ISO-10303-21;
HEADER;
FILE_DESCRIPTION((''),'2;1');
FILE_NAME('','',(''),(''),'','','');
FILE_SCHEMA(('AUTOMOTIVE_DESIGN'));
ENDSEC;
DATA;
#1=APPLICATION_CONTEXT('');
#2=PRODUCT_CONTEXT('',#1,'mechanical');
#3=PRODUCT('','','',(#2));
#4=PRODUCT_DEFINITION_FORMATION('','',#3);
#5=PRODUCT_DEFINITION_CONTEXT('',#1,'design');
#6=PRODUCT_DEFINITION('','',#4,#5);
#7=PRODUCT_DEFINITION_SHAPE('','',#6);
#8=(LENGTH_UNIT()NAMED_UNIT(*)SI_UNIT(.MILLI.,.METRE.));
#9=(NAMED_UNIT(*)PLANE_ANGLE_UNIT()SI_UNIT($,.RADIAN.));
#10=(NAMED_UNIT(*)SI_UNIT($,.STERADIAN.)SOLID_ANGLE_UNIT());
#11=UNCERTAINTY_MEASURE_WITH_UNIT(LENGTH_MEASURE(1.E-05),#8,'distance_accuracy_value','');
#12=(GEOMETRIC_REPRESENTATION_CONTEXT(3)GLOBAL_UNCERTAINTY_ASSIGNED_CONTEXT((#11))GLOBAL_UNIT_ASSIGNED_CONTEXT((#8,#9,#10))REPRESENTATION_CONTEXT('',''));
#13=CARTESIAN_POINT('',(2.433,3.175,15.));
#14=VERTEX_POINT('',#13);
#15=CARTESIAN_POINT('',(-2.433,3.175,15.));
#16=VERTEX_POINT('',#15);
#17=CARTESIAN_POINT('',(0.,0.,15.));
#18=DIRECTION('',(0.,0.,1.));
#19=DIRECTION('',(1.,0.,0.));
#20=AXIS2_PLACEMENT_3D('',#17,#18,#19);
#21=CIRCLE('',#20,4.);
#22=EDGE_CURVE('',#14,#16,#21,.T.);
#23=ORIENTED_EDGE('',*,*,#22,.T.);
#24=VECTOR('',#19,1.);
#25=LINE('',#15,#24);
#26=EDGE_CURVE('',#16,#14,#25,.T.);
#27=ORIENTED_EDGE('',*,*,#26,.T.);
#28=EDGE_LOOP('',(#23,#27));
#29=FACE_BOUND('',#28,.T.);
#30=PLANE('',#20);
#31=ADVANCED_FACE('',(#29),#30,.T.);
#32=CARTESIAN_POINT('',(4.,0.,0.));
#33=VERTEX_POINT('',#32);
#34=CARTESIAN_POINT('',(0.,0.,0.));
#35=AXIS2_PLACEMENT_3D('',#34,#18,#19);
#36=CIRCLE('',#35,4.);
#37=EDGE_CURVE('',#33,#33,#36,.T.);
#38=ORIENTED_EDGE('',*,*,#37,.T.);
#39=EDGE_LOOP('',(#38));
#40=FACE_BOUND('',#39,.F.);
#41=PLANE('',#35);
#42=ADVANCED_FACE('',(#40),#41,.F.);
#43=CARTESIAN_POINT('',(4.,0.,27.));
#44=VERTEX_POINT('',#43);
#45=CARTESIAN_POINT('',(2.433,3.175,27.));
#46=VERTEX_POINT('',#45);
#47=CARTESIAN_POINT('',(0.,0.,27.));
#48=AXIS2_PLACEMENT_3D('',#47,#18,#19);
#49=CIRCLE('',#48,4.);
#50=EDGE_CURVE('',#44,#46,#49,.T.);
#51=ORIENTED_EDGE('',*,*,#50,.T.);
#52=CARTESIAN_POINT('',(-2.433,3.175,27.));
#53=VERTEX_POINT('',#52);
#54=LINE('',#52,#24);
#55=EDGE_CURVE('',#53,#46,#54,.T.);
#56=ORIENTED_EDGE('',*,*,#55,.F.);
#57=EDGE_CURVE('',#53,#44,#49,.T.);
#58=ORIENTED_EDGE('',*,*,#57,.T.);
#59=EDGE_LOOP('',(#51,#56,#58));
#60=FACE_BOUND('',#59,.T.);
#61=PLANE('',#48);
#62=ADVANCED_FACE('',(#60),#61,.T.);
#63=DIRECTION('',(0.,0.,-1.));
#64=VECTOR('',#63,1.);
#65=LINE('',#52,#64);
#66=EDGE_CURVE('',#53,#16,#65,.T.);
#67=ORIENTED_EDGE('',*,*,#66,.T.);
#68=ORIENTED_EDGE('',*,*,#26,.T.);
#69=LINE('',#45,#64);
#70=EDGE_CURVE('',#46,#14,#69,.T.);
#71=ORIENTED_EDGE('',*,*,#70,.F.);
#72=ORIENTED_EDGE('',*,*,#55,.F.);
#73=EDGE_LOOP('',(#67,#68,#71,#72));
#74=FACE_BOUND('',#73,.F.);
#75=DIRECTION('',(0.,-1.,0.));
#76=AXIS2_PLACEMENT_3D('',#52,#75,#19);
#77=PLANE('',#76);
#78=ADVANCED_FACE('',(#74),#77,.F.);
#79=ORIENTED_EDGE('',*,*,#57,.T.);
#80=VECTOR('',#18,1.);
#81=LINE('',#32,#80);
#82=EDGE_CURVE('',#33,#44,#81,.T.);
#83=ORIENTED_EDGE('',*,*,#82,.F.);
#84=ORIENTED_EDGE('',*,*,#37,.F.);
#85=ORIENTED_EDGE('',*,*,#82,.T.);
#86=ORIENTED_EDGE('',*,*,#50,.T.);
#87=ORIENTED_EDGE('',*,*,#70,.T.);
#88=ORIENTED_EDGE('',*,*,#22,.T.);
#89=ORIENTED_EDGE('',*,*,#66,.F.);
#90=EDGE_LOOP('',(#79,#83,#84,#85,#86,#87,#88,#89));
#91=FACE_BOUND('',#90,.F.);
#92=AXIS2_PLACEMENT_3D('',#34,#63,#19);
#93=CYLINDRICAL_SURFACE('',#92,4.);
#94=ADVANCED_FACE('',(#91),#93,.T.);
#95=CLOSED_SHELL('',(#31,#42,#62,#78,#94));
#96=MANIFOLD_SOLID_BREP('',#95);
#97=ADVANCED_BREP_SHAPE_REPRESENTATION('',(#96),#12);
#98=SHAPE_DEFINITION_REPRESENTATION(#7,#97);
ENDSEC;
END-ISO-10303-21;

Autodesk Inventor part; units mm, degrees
ref_plane "YZ Plane" through (0, 0, 0) normal (1, 0, 0) x (0, 1, 0)
ref_plane "XZ Plane" through (0, 0, 0) normal (0, 1, 0) x (-1, 0, 0)
ref_plane "XY Plane" through (0, 0, 0) normal (0, 0, 1) x (1, 0, 0)
sketch "Sketch1" plane through (0, 0, 0) normal (0, 0, 1) x (1, 0, 0)
  circle A0 centre (0, 0) radius 4
  dimension "d0" = 8
extrude "Extrusion1" add sketch "Sketch1" along normal blind 27
sketch "Sketch2" plane through (0, 0, 27) normal (0, 0, 1) x (1, 0, 0)
  circle A0 centre (0, 0) radius 4 projected
  circle A1 centre (0, 0) radius 4 projected
  line L0 (-2.433, 3.175) -> (2.433, 3.175)
extrude "Extrusion2" cut sketch "Sketch2" against normal blind 12 contours L0 A0 picked at (-0.563, 3.3253)
properties part number "motor_shaft" material "Steel, Mild"
